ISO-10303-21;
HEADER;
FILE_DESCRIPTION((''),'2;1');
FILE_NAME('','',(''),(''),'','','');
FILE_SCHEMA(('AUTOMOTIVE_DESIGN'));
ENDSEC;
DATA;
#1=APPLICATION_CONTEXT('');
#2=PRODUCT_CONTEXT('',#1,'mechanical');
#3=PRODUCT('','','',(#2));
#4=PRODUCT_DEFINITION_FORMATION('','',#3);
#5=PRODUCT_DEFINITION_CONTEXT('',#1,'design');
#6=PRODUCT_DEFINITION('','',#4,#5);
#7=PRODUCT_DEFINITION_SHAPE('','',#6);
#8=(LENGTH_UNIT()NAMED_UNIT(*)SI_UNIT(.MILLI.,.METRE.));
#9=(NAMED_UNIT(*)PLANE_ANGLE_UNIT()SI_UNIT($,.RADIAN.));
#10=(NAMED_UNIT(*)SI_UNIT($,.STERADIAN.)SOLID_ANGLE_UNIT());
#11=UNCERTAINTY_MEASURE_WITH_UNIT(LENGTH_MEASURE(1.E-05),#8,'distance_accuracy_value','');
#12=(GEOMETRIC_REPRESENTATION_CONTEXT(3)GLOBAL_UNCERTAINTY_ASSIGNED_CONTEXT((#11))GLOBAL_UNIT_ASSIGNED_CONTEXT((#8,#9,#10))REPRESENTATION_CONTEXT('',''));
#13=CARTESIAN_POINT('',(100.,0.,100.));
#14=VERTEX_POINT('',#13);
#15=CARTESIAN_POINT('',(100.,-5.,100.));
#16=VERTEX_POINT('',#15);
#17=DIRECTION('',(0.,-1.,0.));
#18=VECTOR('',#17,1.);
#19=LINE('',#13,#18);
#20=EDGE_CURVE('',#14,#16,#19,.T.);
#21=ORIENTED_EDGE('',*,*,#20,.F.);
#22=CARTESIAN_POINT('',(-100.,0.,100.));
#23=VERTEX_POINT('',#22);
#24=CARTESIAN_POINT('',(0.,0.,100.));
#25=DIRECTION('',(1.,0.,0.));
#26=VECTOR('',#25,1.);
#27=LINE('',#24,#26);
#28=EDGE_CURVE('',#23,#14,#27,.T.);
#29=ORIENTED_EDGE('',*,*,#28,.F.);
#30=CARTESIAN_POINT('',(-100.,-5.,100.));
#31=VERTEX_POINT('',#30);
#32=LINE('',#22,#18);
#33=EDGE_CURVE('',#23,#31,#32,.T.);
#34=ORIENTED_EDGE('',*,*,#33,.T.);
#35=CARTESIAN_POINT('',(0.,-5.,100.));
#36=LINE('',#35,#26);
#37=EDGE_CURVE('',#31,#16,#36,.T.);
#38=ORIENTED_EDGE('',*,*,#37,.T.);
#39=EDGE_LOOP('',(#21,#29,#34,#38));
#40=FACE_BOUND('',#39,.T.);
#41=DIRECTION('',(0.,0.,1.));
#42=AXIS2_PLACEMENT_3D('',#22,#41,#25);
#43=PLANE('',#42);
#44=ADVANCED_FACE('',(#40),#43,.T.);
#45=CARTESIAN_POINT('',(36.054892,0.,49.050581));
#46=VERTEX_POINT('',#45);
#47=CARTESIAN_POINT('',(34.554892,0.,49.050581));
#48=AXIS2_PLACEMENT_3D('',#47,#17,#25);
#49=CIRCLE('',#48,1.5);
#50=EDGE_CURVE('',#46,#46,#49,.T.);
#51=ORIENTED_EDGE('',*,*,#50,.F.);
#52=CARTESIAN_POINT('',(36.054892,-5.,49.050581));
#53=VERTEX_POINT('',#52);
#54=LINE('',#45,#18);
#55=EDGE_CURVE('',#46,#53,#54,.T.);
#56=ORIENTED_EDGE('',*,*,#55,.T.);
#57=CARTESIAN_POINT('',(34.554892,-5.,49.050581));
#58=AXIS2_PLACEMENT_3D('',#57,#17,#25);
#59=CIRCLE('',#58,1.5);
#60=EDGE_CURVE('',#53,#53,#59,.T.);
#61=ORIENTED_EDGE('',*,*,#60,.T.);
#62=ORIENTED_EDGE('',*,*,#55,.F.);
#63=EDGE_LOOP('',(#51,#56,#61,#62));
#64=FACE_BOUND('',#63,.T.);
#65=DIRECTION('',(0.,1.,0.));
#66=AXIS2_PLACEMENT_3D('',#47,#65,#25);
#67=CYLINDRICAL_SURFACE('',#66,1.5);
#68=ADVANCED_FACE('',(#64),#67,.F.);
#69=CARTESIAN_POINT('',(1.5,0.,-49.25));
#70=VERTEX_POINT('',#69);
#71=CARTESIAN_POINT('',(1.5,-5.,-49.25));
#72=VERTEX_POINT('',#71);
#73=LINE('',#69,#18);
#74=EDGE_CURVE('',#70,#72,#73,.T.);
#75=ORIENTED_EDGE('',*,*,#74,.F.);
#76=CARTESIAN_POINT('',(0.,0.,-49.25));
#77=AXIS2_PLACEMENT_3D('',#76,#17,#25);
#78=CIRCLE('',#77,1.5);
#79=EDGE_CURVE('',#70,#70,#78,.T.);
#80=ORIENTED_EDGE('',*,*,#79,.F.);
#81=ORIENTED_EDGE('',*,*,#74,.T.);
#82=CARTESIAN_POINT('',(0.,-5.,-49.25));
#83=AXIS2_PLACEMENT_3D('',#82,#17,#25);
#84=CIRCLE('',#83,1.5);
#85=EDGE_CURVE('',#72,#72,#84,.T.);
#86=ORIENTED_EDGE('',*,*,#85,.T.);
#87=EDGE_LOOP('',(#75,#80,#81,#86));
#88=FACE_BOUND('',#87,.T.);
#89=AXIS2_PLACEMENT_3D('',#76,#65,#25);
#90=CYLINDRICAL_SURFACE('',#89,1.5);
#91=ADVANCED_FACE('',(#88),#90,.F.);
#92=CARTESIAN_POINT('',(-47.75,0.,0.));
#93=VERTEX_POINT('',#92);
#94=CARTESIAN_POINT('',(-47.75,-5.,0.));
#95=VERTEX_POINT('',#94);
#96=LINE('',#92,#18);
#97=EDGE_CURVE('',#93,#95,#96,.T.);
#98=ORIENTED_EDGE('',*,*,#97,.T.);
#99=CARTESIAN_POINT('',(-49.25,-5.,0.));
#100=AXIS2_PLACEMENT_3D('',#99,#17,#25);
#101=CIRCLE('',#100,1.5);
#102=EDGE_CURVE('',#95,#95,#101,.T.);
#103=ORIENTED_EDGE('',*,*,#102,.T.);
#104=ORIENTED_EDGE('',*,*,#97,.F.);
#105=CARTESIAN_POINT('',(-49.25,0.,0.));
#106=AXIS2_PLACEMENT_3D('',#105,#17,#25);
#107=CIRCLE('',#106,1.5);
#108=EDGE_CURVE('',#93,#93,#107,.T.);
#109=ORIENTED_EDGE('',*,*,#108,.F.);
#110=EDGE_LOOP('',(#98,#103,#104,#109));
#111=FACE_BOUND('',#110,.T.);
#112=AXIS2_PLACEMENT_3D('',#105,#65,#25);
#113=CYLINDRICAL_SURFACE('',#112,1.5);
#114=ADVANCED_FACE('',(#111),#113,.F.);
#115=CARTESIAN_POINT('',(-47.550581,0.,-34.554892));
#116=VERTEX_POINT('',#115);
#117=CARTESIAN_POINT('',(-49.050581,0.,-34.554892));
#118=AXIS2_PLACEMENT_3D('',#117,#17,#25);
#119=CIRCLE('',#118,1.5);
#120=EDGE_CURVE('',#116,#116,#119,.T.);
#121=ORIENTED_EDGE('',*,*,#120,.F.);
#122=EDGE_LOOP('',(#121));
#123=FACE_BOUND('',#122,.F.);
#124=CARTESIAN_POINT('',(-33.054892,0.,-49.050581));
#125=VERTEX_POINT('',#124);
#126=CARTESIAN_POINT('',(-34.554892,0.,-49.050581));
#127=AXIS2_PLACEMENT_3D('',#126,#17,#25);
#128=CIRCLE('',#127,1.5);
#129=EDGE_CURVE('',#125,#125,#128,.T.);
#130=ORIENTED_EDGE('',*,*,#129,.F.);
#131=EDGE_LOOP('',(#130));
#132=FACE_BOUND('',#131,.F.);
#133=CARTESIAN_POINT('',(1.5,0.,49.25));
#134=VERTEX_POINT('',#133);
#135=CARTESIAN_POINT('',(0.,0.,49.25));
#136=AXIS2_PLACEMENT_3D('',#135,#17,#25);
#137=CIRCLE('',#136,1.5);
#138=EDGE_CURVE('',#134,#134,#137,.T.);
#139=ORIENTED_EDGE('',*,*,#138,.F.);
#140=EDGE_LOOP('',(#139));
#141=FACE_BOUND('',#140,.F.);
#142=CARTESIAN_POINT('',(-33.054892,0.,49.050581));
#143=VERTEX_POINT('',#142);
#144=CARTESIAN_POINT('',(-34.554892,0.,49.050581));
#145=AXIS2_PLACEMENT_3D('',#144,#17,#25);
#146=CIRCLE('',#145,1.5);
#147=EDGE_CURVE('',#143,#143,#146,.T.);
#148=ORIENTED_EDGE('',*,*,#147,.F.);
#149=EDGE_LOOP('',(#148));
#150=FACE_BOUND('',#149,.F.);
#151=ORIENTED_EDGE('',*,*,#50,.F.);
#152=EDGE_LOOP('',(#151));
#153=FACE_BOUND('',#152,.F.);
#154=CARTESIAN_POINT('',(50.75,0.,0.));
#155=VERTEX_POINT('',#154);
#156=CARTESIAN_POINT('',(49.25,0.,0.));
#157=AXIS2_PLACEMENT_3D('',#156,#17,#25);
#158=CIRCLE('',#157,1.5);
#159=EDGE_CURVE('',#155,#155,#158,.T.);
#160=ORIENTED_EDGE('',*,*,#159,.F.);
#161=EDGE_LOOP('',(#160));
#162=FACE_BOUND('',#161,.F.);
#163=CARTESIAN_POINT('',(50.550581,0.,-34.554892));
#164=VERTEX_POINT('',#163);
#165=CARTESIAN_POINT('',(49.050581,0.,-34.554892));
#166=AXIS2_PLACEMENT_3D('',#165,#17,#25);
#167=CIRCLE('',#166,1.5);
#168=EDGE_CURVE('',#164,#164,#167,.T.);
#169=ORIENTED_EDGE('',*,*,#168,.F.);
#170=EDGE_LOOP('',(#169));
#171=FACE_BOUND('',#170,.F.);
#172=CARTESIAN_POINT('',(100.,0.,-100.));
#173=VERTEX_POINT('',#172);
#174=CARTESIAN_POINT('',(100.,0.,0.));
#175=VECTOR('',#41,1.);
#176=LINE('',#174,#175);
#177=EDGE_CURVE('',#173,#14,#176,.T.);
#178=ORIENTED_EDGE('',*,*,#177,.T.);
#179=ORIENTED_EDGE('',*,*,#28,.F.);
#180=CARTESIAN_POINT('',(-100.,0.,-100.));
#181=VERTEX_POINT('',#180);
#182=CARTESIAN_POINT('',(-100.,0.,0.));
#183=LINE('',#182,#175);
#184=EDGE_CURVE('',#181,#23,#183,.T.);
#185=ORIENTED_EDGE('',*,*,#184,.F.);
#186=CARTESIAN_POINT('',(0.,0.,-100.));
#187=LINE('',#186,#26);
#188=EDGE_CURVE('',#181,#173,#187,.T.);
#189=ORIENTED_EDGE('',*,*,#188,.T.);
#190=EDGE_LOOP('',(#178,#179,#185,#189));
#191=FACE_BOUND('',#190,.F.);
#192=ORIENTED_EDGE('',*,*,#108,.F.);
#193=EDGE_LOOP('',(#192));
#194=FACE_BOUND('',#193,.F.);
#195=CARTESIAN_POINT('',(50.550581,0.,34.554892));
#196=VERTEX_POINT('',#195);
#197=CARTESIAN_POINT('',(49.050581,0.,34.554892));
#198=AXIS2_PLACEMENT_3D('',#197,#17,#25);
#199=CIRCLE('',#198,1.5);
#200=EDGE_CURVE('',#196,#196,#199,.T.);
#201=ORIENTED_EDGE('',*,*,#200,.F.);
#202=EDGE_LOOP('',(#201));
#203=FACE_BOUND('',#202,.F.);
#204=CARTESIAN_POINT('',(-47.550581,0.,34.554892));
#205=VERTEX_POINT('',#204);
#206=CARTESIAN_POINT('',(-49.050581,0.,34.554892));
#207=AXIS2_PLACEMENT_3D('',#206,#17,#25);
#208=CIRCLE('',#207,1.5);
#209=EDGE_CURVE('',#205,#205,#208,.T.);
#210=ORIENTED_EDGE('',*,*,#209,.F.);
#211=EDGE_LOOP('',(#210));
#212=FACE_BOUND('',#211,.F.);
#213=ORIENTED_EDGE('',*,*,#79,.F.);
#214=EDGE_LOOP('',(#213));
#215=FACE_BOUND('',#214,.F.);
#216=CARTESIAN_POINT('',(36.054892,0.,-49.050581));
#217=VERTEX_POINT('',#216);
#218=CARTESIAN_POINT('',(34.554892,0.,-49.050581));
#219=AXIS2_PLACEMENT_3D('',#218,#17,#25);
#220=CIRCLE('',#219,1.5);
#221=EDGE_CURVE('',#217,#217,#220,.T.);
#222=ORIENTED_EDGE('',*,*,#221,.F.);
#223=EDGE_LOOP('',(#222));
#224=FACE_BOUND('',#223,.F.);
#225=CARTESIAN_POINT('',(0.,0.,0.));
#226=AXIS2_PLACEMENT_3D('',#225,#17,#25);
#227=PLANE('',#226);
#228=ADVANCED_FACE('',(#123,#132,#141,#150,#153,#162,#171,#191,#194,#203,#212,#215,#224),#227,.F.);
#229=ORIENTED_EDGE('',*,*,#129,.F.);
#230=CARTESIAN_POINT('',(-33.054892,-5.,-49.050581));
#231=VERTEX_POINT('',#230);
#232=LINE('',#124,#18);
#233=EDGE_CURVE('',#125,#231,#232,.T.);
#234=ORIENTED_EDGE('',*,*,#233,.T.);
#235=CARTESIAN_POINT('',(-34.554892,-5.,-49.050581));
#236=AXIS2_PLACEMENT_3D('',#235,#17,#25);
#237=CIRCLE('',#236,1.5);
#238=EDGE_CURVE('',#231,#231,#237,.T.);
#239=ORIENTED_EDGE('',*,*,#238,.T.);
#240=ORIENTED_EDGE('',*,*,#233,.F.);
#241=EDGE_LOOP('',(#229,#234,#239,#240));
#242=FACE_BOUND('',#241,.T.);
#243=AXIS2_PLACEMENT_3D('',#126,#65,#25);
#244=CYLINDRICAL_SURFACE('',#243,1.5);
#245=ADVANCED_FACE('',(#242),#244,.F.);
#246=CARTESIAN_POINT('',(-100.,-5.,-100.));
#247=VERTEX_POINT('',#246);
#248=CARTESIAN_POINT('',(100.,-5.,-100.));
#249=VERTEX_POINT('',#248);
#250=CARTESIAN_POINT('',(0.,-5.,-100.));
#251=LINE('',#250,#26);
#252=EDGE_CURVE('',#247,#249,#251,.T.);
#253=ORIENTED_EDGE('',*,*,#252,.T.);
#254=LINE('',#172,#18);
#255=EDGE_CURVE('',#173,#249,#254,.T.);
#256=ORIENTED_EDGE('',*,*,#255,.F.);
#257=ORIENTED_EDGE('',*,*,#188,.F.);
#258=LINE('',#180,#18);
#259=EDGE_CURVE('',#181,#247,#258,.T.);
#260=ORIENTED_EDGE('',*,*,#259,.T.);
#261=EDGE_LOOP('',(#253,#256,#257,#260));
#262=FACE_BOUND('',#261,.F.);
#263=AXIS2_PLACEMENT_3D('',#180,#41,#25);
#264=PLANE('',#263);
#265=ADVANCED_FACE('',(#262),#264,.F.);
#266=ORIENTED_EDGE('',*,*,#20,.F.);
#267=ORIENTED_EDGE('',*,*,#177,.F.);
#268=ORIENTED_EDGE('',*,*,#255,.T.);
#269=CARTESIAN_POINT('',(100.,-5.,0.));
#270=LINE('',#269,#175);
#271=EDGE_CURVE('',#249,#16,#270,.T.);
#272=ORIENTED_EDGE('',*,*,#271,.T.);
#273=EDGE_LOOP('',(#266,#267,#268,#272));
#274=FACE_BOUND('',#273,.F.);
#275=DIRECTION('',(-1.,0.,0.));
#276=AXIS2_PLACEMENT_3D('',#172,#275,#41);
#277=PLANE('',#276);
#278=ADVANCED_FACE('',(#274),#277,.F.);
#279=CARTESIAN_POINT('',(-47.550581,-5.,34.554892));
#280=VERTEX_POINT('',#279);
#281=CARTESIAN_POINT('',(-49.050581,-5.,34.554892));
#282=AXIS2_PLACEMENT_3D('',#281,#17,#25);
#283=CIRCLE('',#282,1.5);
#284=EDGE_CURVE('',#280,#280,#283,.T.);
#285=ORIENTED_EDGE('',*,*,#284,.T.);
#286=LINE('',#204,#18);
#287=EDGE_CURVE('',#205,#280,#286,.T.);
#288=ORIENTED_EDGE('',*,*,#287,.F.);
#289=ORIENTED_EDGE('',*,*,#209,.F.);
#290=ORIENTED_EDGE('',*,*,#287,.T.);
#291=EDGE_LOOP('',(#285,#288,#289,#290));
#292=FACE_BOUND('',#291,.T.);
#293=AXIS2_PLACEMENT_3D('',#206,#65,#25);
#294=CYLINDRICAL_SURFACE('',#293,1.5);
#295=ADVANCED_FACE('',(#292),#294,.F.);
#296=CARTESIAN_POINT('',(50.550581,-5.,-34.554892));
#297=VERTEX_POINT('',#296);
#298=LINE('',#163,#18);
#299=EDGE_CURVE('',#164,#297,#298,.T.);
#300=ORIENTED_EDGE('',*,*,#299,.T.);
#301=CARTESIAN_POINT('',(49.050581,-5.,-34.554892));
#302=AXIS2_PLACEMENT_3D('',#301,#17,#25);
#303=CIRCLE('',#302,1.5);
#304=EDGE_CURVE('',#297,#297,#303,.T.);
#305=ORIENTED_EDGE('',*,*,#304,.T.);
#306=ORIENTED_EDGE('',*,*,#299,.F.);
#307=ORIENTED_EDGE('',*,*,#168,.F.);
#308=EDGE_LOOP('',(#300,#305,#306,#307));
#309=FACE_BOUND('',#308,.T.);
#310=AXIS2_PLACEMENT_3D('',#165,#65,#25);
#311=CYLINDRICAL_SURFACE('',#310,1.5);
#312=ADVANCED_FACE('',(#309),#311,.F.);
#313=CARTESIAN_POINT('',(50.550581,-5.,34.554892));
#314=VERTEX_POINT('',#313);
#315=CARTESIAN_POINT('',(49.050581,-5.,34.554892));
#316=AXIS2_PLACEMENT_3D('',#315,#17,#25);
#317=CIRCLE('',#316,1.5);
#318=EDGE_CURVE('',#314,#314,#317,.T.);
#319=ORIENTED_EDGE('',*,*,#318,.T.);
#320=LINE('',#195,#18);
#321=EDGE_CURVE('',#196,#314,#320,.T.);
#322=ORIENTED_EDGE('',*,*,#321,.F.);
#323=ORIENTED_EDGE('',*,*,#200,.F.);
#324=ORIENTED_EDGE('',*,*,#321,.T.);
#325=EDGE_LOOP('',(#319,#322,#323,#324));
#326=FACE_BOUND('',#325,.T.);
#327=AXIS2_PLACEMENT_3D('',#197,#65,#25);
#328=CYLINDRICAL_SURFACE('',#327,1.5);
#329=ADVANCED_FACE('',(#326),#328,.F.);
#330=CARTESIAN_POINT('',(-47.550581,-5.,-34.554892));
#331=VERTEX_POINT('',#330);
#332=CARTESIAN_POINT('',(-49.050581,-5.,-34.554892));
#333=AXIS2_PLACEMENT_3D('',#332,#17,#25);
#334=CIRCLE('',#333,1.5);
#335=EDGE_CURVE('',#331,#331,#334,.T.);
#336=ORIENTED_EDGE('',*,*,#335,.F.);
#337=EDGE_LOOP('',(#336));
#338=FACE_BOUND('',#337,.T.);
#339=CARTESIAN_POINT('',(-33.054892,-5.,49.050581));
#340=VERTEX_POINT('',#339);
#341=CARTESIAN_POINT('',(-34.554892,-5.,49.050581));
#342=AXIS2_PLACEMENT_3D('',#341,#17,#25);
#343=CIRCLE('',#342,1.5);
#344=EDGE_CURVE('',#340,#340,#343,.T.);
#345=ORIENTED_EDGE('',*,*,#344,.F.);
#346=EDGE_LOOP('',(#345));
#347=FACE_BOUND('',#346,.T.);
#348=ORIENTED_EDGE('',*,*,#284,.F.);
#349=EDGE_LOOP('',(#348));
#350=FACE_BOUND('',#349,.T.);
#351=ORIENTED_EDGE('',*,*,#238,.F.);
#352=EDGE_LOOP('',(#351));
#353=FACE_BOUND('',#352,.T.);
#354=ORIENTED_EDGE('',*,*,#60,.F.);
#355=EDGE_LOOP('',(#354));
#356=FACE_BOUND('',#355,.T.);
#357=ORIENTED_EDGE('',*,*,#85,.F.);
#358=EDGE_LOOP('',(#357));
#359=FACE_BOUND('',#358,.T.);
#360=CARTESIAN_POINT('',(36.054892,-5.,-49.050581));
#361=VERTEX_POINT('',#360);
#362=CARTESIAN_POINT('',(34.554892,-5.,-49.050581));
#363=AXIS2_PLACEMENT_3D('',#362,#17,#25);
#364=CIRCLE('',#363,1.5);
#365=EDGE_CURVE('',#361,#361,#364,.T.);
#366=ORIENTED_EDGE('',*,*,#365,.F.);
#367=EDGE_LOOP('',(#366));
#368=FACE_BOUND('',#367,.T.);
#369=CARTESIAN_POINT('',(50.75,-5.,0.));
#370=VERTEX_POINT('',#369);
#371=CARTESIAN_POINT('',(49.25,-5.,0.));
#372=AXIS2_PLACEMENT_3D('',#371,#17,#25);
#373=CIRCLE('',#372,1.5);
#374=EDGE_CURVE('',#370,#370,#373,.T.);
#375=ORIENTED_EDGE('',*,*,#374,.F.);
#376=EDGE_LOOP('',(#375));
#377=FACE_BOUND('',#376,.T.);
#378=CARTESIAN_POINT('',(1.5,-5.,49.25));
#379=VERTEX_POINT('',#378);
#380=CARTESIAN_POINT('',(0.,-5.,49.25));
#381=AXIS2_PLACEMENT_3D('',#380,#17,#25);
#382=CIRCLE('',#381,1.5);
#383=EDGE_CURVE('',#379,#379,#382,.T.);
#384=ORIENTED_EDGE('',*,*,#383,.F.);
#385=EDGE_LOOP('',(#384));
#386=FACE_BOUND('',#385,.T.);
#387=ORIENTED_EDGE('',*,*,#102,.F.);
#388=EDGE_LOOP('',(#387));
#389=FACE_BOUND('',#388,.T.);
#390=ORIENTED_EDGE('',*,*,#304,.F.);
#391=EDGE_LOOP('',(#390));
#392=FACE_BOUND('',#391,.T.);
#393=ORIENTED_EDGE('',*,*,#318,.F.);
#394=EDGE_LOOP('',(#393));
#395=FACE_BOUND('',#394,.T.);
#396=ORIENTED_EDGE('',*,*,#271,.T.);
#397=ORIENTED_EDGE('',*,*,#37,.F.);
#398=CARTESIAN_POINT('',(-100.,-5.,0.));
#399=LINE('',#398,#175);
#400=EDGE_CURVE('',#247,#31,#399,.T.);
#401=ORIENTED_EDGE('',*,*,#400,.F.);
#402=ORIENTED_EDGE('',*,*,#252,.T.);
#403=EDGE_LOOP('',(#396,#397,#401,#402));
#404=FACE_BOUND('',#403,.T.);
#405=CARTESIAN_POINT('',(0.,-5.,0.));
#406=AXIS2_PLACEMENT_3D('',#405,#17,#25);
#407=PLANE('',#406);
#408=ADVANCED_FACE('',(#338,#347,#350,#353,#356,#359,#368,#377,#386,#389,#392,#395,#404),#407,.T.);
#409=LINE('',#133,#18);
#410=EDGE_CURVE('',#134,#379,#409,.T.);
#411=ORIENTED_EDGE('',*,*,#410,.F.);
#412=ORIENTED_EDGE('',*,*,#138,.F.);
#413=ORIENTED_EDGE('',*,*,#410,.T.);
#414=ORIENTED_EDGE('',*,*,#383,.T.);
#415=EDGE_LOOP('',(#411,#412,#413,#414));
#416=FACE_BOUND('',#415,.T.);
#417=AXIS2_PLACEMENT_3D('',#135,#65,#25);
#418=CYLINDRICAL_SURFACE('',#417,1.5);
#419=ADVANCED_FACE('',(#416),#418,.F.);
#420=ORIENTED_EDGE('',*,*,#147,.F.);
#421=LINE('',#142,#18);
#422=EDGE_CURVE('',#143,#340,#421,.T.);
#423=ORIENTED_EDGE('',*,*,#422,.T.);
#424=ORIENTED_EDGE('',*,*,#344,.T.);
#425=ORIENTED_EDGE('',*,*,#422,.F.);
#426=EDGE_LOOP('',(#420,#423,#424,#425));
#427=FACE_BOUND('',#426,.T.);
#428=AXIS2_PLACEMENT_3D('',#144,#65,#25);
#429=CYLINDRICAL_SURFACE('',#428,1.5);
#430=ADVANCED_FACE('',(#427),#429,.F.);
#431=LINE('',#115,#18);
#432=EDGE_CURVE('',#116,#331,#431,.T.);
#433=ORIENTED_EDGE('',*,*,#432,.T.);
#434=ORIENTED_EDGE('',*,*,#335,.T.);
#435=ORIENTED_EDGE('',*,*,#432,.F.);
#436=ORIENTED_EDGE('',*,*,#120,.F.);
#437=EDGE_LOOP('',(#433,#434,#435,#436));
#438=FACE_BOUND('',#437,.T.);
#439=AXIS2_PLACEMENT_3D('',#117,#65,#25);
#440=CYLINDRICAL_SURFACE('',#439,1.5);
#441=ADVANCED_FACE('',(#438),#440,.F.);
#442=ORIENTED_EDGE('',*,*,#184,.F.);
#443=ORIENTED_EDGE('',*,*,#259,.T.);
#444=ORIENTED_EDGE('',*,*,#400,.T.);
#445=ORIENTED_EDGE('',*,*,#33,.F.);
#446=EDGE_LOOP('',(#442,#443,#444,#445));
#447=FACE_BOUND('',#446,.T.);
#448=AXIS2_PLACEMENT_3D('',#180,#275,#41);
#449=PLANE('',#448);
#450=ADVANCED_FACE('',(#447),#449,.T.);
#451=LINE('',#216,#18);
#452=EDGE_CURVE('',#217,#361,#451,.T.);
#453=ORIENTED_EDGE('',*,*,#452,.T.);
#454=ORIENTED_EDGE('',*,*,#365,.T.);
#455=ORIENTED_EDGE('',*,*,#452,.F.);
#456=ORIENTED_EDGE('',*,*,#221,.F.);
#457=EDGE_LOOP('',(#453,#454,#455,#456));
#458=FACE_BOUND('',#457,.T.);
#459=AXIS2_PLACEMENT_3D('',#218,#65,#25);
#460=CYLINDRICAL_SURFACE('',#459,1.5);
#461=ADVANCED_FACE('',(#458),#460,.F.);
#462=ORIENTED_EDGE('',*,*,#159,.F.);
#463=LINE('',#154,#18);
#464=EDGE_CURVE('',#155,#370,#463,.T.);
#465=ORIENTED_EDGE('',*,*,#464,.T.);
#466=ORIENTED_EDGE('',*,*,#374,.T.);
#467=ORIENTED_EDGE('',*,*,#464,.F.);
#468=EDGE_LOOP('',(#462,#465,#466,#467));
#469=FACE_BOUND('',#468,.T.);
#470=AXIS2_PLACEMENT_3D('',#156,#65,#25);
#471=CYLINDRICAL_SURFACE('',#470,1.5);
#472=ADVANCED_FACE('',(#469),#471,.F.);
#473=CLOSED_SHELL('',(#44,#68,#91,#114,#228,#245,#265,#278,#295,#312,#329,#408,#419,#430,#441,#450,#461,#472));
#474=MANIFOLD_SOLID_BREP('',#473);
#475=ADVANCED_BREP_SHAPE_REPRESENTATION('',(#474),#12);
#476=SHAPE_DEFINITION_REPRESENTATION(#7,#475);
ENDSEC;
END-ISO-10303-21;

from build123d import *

# Parameters (mm, degrees)
F0_W     = 200
F0_H     = 200
F0_R     = 1.5
F1_DEPTH = 5


with BuildPart() as f1:
    # F0 (on Front) → F1 (new body)
    with BuildSketch(Plane.XZ):
        Rectangle(F0_W, F0_H)
        with Locations((-34.554892, -49.050581)):
            Circle(F0_R, mode=Mode.SUBTRACT)
        with Locations((-49.050581, -34.554892)):
            Circle(F0_R, mode=Mode.SUBTRACT)
        with Locations((0, -49.25)):
            Circle(F0_R, mode=Mode.SUBTRACT)
        with Locations((34.554892, -49.050581)):
            Circle(F0_R, mode=Mode.SUBTRACT)
        with Locations((49.050581, -34.554892)):
            Circle(F0_R, mode=Mode.SUBTRACT)
        with Locations((-49.25, 0)):
            Circle(F0_R, mode=Mode.SUBTRACT)
        with Locations((-49.050581, 34.554892)):
            Circle(F0_R, mode=Mode.SUBTRACT)
        with Locations((-34.554892, 49.050581)):
            Circle(F0_R, mode=Mode.SUBTRACT)
        with Locations((49.25, 0)):
            Circle(F0_R, mode=Mode.SUBTRACT)
        with Locations((0, 49.25)):
            Circle(F0_R, mode=Mode.SUBTRACT)
        with Locations((49.050581, 34.554892)):
            Circle(F0_R, mode=Mode.SUBTRACT)
        with Locations((34.554892, 49.050581)):
            Circle(F0_R, mode=Mode.SUBTRACT)
    extrude(amount=F1_DEPTH)


solid = f1.part
